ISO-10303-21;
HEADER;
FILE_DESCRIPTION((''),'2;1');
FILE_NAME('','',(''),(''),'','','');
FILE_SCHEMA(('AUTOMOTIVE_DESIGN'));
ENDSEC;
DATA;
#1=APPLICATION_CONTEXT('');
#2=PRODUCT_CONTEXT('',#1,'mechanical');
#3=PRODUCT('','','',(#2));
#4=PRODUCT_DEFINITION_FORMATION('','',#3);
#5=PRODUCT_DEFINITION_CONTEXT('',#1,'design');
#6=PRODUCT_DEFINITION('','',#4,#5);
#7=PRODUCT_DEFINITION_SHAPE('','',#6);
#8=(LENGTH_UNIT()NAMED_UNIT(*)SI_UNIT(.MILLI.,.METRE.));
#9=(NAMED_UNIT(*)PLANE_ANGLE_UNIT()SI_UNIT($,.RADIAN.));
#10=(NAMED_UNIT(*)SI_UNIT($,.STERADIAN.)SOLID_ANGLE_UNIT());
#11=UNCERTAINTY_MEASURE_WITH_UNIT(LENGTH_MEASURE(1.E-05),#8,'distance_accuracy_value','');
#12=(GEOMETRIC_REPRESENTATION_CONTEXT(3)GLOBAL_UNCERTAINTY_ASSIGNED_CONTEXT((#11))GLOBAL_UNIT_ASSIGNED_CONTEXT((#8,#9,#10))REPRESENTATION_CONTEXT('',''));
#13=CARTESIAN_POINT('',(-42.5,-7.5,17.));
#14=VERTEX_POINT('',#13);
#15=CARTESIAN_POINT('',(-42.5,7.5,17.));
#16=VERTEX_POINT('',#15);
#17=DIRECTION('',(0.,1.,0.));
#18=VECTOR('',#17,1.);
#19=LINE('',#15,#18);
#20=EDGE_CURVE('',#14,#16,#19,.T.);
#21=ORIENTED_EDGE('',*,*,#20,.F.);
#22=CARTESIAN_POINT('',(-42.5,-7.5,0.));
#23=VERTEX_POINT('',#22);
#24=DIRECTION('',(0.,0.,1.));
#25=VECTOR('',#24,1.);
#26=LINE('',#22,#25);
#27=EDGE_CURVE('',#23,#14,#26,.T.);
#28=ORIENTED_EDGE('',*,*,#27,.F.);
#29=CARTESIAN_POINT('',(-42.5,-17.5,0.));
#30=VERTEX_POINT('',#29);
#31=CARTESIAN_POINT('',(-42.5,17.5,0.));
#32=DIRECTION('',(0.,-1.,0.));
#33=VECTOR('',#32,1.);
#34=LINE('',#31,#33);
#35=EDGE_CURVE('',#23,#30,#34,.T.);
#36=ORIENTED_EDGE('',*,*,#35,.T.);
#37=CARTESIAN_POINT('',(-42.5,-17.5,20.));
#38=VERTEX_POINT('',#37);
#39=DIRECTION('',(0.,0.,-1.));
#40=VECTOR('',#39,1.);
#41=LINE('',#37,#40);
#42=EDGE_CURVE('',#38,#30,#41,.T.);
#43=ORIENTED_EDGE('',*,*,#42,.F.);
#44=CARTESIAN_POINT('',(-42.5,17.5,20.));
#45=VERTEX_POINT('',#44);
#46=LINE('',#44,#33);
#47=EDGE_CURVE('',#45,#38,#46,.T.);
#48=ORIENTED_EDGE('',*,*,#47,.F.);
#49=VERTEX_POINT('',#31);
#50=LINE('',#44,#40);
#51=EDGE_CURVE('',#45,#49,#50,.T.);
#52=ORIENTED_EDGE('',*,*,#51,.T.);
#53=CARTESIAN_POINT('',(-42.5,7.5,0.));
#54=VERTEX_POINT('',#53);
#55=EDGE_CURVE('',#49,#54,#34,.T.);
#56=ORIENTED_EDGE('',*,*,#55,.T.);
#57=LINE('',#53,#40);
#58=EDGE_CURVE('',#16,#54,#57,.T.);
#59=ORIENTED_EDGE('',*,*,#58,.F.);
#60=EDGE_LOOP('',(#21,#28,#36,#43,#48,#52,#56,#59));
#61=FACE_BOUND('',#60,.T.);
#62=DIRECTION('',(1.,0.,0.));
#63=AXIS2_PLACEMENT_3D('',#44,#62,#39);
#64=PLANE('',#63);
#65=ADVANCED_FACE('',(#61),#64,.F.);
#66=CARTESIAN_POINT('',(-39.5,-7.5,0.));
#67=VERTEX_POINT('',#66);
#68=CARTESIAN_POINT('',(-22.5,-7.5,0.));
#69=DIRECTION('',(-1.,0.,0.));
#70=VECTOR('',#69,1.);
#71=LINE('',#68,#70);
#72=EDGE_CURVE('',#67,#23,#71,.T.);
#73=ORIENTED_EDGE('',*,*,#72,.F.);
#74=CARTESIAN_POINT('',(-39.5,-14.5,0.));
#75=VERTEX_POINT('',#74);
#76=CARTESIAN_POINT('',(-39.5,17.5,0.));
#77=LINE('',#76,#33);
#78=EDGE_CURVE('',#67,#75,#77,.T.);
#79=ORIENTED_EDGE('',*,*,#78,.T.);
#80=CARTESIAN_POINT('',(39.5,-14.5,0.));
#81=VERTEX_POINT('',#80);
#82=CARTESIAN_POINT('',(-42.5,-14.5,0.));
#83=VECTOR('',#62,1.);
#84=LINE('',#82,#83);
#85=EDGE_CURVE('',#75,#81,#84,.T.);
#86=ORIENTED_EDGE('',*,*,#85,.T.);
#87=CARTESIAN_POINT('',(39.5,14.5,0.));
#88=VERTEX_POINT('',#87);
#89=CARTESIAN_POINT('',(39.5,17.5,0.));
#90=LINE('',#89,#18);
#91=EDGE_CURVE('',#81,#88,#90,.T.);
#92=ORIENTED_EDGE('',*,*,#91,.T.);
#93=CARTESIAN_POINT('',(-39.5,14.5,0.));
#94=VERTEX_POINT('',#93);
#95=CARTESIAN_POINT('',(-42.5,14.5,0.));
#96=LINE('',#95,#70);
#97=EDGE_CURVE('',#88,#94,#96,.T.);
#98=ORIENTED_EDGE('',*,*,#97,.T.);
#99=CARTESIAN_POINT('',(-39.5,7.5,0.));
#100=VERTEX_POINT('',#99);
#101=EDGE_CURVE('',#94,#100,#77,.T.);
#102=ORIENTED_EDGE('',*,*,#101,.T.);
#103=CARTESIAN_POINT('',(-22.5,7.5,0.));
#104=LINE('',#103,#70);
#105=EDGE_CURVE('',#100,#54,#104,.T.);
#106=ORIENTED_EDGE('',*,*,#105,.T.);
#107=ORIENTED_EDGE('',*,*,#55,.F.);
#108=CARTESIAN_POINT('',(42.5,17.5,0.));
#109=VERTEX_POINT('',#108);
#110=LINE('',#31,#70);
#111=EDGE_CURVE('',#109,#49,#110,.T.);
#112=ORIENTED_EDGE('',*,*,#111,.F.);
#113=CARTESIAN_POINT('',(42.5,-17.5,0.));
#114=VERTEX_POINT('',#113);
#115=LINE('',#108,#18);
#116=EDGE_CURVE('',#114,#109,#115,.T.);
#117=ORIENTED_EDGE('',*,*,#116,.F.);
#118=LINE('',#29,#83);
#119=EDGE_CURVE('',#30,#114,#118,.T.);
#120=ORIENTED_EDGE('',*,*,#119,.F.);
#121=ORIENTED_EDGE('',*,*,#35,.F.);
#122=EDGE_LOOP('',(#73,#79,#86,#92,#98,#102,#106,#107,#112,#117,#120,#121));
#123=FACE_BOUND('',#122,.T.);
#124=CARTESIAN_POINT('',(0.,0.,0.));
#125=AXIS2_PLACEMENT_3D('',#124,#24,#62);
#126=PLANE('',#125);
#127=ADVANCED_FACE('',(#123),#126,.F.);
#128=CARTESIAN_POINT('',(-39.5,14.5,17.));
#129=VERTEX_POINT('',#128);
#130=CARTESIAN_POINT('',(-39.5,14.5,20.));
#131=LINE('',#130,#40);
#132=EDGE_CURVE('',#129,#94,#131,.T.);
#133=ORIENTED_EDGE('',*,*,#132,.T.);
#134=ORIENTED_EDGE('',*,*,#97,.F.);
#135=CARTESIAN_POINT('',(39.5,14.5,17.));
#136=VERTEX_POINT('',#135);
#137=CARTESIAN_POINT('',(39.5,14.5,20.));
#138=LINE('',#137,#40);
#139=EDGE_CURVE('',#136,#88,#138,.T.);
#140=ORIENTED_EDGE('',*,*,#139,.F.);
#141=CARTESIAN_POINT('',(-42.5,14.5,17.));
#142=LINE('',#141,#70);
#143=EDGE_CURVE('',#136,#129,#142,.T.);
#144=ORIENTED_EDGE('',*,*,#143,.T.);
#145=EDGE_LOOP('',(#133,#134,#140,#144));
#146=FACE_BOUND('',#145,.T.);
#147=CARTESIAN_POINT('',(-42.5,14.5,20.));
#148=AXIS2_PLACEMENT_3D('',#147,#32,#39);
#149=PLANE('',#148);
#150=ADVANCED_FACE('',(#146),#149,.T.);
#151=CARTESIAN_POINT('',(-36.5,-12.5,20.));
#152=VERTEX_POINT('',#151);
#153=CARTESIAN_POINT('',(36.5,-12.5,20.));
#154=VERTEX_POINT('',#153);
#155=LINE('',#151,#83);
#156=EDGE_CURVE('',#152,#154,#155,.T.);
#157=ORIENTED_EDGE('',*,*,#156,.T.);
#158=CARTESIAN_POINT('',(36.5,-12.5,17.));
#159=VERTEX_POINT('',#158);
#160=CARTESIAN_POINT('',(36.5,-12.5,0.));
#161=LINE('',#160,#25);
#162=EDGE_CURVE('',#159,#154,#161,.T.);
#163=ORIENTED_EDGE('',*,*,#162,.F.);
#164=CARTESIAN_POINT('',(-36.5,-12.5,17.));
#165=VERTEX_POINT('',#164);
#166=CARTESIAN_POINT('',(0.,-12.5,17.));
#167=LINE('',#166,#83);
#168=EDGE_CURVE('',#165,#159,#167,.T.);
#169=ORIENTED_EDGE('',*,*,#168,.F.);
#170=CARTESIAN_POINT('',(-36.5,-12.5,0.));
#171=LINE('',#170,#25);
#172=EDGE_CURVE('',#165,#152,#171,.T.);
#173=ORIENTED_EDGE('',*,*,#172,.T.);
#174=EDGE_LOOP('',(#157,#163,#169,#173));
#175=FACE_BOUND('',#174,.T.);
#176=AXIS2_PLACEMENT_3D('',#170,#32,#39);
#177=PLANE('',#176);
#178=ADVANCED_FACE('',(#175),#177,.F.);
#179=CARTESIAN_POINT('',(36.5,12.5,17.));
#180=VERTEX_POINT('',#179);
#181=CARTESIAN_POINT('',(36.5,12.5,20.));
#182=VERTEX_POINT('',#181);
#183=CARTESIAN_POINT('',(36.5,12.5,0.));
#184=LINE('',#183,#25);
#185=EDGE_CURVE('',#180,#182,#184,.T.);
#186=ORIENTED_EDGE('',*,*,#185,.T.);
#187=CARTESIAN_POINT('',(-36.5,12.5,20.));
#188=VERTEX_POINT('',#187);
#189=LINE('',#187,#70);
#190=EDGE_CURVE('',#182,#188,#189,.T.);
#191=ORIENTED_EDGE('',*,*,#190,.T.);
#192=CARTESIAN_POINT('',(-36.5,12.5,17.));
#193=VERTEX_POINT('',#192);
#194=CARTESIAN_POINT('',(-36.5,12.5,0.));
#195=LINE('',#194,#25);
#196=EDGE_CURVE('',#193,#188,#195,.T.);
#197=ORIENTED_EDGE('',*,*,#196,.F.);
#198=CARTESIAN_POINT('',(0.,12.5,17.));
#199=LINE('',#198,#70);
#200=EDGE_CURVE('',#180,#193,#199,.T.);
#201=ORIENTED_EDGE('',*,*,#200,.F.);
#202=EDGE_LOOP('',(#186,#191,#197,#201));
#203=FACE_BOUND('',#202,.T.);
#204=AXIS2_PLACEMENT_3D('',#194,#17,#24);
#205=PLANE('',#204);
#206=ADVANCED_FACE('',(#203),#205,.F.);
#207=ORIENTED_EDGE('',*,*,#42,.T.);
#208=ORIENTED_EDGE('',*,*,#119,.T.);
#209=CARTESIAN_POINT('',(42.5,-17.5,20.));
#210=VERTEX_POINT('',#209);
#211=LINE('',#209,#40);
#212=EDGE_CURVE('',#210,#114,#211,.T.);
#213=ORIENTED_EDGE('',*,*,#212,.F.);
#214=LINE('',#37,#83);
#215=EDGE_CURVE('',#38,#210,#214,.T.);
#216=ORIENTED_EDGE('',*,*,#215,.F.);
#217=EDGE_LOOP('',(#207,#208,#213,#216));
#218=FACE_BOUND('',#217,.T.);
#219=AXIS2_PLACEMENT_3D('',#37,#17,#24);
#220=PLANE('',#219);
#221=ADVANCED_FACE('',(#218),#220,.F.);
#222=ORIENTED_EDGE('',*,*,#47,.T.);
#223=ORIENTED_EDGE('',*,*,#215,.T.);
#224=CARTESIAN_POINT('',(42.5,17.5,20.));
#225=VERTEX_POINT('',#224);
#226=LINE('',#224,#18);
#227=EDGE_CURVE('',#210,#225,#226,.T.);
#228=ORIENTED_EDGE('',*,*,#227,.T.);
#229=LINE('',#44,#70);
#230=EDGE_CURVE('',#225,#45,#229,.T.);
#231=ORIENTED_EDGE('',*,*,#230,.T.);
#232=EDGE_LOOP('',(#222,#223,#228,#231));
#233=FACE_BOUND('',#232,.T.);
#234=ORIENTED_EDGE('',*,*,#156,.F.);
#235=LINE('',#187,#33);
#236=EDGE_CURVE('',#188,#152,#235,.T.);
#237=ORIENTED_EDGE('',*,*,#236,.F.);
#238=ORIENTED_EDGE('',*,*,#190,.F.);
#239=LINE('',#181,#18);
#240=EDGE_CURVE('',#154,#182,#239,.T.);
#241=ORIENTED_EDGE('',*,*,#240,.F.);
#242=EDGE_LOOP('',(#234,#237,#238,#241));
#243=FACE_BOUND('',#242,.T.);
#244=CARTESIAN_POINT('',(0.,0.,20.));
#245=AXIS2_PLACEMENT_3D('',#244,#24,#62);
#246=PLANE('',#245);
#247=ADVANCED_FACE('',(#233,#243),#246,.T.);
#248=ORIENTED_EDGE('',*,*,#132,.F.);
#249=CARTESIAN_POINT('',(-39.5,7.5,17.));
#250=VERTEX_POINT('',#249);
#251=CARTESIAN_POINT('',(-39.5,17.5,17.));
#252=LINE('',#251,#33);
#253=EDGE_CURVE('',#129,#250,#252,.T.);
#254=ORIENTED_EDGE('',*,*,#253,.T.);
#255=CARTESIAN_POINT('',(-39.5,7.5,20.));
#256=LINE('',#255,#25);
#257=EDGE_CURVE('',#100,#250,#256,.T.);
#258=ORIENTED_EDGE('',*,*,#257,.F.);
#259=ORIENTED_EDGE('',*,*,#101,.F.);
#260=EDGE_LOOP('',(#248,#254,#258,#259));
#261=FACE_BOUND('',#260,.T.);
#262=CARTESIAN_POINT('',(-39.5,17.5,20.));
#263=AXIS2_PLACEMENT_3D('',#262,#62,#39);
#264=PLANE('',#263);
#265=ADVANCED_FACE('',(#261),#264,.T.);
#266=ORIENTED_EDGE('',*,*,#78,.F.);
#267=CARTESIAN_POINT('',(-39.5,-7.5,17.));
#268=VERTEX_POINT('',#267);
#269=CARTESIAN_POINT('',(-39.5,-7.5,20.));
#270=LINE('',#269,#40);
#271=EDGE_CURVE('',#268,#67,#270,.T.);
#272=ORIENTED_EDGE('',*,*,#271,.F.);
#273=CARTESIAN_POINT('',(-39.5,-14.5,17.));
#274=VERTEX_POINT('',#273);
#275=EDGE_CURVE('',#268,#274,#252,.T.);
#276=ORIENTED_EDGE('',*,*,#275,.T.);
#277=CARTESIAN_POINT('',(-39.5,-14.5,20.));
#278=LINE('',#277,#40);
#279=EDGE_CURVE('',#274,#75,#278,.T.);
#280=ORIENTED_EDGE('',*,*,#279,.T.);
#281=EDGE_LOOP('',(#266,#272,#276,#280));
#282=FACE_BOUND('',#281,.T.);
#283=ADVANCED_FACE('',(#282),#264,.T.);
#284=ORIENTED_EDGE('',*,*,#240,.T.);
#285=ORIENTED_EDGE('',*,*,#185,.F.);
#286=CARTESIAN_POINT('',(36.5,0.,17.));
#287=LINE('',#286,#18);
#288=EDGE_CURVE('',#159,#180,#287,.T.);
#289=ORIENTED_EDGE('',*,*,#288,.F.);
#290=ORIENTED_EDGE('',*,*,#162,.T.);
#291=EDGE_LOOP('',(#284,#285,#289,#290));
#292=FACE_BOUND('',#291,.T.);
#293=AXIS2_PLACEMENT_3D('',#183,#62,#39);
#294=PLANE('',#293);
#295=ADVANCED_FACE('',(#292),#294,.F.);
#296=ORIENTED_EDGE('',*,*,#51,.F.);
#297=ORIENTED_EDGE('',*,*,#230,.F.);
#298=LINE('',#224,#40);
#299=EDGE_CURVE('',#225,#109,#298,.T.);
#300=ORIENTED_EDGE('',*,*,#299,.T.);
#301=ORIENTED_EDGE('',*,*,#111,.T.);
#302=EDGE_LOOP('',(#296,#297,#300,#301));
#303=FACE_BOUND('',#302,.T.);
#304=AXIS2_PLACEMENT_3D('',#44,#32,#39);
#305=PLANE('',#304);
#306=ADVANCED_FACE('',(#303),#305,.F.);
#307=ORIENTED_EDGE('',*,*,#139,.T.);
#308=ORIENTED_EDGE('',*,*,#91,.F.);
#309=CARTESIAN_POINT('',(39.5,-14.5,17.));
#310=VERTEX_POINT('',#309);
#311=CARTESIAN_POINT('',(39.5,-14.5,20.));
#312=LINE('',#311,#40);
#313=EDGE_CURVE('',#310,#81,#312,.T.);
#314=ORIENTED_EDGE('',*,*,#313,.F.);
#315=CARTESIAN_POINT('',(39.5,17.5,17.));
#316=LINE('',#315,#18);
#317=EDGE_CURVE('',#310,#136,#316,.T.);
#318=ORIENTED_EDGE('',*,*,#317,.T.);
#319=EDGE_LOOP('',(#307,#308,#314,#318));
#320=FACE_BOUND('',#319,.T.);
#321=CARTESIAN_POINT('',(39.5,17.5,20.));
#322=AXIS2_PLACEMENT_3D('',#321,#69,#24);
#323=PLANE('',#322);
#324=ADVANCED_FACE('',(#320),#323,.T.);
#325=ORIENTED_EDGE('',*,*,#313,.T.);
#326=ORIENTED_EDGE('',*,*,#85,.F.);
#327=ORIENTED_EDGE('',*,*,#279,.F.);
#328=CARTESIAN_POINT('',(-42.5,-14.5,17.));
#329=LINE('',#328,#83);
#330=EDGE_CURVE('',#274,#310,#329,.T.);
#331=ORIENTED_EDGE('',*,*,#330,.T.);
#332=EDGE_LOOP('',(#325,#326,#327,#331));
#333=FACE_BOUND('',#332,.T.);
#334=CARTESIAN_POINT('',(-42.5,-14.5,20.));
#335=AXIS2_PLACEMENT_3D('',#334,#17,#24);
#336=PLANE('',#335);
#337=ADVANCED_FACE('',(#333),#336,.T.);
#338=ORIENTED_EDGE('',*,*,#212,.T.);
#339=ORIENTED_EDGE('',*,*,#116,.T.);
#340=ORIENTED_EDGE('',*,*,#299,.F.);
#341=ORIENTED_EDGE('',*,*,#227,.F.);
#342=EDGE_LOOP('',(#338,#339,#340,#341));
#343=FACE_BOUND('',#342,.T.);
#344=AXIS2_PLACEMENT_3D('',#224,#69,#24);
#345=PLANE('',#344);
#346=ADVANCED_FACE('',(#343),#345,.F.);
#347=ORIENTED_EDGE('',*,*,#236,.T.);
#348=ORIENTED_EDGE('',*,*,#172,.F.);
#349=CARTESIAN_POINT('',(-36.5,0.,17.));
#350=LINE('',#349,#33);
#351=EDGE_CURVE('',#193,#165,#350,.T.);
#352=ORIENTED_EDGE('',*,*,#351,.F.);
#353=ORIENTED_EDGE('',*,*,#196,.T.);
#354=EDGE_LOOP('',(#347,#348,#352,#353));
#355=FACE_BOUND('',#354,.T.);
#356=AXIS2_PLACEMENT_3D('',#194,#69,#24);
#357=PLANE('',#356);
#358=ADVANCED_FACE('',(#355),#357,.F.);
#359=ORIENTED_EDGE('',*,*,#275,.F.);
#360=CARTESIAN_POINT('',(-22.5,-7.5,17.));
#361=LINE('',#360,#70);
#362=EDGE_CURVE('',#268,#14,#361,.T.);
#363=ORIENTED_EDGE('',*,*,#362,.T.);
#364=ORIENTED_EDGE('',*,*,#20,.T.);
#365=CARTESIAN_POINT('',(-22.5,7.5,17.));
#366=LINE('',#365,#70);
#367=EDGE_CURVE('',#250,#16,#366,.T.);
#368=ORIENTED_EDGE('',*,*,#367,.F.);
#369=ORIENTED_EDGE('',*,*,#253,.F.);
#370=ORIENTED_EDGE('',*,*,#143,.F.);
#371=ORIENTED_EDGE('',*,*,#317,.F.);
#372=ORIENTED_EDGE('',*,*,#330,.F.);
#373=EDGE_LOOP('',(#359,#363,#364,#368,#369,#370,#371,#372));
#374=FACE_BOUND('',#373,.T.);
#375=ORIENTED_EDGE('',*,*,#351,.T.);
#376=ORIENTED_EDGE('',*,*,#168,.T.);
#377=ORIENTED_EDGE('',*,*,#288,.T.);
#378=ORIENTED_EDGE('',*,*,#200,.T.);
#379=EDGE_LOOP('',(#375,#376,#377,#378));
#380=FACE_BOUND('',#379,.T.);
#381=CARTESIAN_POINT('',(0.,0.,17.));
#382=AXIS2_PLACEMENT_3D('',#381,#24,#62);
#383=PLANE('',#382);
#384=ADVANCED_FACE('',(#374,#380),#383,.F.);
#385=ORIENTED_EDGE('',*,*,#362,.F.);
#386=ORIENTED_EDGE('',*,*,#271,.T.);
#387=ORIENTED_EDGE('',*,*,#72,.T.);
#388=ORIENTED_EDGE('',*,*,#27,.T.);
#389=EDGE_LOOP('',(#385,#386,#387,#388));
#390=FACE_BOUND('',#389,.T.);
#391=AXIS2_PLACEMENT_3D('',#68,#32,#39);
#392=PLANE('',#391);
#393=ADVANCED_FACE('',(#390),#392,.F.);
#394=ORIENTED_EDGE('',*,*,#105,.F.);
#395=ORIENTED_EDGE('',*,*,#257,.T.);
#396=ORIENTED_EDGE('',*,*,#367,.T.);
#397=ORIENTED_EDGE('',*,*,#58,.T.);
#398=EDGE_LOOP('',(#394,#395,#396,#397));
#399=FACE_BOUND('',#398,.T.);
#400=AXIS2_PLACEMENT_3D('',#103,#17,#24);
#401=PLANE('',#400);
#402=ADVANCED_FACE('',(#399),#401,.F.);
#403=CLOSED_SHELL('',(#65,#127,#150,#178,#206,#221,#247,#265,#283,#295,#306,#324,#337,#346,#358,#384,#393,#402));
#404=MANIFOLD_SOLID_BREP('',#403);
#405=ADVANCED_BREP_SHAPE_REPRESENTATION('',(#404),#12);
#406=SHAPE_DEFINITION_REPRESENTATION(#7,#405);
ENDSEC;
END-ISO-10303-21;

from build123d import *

# Parameters (mm, degrees)
SKETCH1_W           = 85
SKETCH1_H           = 35
BOSS_EXTRUDE1_DEPTH = 20
SHELL1_T            = -3
SKETCH3_W           = 17
SKETCH3_H           = 15
CUT_EXTRUDE1_DEPTH  = 20
SKETCH4_W           = 73
SKETCH4_H           = 25
CUT_EXTRUDE2_DEPTH  = 20


with BuildPart() as part:
    # Sketch1 → Boss-Extrude1 (new body)
    with BuildSketch(Plane.XY):
        Rectangle(SKETCH1_W, SKETCH1_H)
    extrude(amount=BOSS_EXTRUDE1_DEPTH)

    # Shell1
    shell1_openings = [part.faces().sort_by_distance(p)[0] for p in [
        (0, 0, 0),
    ]]
    offset(amount=SHELL1_T, openings=shell1_openings, kind=Kind.INTERSECTION)

    # Sketch3 → Cut-Extrude1 (cut)
    with BuildSketch(Plane.ZY.offset(42.5)):
        with Locations((8.5, 0)):
            Rectangle(SKETCH3_W, SKETCH3_H)
    extrude(amount=-CUT_EXTRUDE1_DEPTH, mode=Mode.SUBTRACT)

    # Sketch4 → Cut-Extrude2 (cut)
    with BuildSketch(Plane.XY.offset(20)):
        Rectangle(SKETCH4_W, SKETCH4_H)
    extrude(amount=-CUT_EXTRUDE2_DEPTH, mode=Mode.SUBTRACT)


solid = part.part
